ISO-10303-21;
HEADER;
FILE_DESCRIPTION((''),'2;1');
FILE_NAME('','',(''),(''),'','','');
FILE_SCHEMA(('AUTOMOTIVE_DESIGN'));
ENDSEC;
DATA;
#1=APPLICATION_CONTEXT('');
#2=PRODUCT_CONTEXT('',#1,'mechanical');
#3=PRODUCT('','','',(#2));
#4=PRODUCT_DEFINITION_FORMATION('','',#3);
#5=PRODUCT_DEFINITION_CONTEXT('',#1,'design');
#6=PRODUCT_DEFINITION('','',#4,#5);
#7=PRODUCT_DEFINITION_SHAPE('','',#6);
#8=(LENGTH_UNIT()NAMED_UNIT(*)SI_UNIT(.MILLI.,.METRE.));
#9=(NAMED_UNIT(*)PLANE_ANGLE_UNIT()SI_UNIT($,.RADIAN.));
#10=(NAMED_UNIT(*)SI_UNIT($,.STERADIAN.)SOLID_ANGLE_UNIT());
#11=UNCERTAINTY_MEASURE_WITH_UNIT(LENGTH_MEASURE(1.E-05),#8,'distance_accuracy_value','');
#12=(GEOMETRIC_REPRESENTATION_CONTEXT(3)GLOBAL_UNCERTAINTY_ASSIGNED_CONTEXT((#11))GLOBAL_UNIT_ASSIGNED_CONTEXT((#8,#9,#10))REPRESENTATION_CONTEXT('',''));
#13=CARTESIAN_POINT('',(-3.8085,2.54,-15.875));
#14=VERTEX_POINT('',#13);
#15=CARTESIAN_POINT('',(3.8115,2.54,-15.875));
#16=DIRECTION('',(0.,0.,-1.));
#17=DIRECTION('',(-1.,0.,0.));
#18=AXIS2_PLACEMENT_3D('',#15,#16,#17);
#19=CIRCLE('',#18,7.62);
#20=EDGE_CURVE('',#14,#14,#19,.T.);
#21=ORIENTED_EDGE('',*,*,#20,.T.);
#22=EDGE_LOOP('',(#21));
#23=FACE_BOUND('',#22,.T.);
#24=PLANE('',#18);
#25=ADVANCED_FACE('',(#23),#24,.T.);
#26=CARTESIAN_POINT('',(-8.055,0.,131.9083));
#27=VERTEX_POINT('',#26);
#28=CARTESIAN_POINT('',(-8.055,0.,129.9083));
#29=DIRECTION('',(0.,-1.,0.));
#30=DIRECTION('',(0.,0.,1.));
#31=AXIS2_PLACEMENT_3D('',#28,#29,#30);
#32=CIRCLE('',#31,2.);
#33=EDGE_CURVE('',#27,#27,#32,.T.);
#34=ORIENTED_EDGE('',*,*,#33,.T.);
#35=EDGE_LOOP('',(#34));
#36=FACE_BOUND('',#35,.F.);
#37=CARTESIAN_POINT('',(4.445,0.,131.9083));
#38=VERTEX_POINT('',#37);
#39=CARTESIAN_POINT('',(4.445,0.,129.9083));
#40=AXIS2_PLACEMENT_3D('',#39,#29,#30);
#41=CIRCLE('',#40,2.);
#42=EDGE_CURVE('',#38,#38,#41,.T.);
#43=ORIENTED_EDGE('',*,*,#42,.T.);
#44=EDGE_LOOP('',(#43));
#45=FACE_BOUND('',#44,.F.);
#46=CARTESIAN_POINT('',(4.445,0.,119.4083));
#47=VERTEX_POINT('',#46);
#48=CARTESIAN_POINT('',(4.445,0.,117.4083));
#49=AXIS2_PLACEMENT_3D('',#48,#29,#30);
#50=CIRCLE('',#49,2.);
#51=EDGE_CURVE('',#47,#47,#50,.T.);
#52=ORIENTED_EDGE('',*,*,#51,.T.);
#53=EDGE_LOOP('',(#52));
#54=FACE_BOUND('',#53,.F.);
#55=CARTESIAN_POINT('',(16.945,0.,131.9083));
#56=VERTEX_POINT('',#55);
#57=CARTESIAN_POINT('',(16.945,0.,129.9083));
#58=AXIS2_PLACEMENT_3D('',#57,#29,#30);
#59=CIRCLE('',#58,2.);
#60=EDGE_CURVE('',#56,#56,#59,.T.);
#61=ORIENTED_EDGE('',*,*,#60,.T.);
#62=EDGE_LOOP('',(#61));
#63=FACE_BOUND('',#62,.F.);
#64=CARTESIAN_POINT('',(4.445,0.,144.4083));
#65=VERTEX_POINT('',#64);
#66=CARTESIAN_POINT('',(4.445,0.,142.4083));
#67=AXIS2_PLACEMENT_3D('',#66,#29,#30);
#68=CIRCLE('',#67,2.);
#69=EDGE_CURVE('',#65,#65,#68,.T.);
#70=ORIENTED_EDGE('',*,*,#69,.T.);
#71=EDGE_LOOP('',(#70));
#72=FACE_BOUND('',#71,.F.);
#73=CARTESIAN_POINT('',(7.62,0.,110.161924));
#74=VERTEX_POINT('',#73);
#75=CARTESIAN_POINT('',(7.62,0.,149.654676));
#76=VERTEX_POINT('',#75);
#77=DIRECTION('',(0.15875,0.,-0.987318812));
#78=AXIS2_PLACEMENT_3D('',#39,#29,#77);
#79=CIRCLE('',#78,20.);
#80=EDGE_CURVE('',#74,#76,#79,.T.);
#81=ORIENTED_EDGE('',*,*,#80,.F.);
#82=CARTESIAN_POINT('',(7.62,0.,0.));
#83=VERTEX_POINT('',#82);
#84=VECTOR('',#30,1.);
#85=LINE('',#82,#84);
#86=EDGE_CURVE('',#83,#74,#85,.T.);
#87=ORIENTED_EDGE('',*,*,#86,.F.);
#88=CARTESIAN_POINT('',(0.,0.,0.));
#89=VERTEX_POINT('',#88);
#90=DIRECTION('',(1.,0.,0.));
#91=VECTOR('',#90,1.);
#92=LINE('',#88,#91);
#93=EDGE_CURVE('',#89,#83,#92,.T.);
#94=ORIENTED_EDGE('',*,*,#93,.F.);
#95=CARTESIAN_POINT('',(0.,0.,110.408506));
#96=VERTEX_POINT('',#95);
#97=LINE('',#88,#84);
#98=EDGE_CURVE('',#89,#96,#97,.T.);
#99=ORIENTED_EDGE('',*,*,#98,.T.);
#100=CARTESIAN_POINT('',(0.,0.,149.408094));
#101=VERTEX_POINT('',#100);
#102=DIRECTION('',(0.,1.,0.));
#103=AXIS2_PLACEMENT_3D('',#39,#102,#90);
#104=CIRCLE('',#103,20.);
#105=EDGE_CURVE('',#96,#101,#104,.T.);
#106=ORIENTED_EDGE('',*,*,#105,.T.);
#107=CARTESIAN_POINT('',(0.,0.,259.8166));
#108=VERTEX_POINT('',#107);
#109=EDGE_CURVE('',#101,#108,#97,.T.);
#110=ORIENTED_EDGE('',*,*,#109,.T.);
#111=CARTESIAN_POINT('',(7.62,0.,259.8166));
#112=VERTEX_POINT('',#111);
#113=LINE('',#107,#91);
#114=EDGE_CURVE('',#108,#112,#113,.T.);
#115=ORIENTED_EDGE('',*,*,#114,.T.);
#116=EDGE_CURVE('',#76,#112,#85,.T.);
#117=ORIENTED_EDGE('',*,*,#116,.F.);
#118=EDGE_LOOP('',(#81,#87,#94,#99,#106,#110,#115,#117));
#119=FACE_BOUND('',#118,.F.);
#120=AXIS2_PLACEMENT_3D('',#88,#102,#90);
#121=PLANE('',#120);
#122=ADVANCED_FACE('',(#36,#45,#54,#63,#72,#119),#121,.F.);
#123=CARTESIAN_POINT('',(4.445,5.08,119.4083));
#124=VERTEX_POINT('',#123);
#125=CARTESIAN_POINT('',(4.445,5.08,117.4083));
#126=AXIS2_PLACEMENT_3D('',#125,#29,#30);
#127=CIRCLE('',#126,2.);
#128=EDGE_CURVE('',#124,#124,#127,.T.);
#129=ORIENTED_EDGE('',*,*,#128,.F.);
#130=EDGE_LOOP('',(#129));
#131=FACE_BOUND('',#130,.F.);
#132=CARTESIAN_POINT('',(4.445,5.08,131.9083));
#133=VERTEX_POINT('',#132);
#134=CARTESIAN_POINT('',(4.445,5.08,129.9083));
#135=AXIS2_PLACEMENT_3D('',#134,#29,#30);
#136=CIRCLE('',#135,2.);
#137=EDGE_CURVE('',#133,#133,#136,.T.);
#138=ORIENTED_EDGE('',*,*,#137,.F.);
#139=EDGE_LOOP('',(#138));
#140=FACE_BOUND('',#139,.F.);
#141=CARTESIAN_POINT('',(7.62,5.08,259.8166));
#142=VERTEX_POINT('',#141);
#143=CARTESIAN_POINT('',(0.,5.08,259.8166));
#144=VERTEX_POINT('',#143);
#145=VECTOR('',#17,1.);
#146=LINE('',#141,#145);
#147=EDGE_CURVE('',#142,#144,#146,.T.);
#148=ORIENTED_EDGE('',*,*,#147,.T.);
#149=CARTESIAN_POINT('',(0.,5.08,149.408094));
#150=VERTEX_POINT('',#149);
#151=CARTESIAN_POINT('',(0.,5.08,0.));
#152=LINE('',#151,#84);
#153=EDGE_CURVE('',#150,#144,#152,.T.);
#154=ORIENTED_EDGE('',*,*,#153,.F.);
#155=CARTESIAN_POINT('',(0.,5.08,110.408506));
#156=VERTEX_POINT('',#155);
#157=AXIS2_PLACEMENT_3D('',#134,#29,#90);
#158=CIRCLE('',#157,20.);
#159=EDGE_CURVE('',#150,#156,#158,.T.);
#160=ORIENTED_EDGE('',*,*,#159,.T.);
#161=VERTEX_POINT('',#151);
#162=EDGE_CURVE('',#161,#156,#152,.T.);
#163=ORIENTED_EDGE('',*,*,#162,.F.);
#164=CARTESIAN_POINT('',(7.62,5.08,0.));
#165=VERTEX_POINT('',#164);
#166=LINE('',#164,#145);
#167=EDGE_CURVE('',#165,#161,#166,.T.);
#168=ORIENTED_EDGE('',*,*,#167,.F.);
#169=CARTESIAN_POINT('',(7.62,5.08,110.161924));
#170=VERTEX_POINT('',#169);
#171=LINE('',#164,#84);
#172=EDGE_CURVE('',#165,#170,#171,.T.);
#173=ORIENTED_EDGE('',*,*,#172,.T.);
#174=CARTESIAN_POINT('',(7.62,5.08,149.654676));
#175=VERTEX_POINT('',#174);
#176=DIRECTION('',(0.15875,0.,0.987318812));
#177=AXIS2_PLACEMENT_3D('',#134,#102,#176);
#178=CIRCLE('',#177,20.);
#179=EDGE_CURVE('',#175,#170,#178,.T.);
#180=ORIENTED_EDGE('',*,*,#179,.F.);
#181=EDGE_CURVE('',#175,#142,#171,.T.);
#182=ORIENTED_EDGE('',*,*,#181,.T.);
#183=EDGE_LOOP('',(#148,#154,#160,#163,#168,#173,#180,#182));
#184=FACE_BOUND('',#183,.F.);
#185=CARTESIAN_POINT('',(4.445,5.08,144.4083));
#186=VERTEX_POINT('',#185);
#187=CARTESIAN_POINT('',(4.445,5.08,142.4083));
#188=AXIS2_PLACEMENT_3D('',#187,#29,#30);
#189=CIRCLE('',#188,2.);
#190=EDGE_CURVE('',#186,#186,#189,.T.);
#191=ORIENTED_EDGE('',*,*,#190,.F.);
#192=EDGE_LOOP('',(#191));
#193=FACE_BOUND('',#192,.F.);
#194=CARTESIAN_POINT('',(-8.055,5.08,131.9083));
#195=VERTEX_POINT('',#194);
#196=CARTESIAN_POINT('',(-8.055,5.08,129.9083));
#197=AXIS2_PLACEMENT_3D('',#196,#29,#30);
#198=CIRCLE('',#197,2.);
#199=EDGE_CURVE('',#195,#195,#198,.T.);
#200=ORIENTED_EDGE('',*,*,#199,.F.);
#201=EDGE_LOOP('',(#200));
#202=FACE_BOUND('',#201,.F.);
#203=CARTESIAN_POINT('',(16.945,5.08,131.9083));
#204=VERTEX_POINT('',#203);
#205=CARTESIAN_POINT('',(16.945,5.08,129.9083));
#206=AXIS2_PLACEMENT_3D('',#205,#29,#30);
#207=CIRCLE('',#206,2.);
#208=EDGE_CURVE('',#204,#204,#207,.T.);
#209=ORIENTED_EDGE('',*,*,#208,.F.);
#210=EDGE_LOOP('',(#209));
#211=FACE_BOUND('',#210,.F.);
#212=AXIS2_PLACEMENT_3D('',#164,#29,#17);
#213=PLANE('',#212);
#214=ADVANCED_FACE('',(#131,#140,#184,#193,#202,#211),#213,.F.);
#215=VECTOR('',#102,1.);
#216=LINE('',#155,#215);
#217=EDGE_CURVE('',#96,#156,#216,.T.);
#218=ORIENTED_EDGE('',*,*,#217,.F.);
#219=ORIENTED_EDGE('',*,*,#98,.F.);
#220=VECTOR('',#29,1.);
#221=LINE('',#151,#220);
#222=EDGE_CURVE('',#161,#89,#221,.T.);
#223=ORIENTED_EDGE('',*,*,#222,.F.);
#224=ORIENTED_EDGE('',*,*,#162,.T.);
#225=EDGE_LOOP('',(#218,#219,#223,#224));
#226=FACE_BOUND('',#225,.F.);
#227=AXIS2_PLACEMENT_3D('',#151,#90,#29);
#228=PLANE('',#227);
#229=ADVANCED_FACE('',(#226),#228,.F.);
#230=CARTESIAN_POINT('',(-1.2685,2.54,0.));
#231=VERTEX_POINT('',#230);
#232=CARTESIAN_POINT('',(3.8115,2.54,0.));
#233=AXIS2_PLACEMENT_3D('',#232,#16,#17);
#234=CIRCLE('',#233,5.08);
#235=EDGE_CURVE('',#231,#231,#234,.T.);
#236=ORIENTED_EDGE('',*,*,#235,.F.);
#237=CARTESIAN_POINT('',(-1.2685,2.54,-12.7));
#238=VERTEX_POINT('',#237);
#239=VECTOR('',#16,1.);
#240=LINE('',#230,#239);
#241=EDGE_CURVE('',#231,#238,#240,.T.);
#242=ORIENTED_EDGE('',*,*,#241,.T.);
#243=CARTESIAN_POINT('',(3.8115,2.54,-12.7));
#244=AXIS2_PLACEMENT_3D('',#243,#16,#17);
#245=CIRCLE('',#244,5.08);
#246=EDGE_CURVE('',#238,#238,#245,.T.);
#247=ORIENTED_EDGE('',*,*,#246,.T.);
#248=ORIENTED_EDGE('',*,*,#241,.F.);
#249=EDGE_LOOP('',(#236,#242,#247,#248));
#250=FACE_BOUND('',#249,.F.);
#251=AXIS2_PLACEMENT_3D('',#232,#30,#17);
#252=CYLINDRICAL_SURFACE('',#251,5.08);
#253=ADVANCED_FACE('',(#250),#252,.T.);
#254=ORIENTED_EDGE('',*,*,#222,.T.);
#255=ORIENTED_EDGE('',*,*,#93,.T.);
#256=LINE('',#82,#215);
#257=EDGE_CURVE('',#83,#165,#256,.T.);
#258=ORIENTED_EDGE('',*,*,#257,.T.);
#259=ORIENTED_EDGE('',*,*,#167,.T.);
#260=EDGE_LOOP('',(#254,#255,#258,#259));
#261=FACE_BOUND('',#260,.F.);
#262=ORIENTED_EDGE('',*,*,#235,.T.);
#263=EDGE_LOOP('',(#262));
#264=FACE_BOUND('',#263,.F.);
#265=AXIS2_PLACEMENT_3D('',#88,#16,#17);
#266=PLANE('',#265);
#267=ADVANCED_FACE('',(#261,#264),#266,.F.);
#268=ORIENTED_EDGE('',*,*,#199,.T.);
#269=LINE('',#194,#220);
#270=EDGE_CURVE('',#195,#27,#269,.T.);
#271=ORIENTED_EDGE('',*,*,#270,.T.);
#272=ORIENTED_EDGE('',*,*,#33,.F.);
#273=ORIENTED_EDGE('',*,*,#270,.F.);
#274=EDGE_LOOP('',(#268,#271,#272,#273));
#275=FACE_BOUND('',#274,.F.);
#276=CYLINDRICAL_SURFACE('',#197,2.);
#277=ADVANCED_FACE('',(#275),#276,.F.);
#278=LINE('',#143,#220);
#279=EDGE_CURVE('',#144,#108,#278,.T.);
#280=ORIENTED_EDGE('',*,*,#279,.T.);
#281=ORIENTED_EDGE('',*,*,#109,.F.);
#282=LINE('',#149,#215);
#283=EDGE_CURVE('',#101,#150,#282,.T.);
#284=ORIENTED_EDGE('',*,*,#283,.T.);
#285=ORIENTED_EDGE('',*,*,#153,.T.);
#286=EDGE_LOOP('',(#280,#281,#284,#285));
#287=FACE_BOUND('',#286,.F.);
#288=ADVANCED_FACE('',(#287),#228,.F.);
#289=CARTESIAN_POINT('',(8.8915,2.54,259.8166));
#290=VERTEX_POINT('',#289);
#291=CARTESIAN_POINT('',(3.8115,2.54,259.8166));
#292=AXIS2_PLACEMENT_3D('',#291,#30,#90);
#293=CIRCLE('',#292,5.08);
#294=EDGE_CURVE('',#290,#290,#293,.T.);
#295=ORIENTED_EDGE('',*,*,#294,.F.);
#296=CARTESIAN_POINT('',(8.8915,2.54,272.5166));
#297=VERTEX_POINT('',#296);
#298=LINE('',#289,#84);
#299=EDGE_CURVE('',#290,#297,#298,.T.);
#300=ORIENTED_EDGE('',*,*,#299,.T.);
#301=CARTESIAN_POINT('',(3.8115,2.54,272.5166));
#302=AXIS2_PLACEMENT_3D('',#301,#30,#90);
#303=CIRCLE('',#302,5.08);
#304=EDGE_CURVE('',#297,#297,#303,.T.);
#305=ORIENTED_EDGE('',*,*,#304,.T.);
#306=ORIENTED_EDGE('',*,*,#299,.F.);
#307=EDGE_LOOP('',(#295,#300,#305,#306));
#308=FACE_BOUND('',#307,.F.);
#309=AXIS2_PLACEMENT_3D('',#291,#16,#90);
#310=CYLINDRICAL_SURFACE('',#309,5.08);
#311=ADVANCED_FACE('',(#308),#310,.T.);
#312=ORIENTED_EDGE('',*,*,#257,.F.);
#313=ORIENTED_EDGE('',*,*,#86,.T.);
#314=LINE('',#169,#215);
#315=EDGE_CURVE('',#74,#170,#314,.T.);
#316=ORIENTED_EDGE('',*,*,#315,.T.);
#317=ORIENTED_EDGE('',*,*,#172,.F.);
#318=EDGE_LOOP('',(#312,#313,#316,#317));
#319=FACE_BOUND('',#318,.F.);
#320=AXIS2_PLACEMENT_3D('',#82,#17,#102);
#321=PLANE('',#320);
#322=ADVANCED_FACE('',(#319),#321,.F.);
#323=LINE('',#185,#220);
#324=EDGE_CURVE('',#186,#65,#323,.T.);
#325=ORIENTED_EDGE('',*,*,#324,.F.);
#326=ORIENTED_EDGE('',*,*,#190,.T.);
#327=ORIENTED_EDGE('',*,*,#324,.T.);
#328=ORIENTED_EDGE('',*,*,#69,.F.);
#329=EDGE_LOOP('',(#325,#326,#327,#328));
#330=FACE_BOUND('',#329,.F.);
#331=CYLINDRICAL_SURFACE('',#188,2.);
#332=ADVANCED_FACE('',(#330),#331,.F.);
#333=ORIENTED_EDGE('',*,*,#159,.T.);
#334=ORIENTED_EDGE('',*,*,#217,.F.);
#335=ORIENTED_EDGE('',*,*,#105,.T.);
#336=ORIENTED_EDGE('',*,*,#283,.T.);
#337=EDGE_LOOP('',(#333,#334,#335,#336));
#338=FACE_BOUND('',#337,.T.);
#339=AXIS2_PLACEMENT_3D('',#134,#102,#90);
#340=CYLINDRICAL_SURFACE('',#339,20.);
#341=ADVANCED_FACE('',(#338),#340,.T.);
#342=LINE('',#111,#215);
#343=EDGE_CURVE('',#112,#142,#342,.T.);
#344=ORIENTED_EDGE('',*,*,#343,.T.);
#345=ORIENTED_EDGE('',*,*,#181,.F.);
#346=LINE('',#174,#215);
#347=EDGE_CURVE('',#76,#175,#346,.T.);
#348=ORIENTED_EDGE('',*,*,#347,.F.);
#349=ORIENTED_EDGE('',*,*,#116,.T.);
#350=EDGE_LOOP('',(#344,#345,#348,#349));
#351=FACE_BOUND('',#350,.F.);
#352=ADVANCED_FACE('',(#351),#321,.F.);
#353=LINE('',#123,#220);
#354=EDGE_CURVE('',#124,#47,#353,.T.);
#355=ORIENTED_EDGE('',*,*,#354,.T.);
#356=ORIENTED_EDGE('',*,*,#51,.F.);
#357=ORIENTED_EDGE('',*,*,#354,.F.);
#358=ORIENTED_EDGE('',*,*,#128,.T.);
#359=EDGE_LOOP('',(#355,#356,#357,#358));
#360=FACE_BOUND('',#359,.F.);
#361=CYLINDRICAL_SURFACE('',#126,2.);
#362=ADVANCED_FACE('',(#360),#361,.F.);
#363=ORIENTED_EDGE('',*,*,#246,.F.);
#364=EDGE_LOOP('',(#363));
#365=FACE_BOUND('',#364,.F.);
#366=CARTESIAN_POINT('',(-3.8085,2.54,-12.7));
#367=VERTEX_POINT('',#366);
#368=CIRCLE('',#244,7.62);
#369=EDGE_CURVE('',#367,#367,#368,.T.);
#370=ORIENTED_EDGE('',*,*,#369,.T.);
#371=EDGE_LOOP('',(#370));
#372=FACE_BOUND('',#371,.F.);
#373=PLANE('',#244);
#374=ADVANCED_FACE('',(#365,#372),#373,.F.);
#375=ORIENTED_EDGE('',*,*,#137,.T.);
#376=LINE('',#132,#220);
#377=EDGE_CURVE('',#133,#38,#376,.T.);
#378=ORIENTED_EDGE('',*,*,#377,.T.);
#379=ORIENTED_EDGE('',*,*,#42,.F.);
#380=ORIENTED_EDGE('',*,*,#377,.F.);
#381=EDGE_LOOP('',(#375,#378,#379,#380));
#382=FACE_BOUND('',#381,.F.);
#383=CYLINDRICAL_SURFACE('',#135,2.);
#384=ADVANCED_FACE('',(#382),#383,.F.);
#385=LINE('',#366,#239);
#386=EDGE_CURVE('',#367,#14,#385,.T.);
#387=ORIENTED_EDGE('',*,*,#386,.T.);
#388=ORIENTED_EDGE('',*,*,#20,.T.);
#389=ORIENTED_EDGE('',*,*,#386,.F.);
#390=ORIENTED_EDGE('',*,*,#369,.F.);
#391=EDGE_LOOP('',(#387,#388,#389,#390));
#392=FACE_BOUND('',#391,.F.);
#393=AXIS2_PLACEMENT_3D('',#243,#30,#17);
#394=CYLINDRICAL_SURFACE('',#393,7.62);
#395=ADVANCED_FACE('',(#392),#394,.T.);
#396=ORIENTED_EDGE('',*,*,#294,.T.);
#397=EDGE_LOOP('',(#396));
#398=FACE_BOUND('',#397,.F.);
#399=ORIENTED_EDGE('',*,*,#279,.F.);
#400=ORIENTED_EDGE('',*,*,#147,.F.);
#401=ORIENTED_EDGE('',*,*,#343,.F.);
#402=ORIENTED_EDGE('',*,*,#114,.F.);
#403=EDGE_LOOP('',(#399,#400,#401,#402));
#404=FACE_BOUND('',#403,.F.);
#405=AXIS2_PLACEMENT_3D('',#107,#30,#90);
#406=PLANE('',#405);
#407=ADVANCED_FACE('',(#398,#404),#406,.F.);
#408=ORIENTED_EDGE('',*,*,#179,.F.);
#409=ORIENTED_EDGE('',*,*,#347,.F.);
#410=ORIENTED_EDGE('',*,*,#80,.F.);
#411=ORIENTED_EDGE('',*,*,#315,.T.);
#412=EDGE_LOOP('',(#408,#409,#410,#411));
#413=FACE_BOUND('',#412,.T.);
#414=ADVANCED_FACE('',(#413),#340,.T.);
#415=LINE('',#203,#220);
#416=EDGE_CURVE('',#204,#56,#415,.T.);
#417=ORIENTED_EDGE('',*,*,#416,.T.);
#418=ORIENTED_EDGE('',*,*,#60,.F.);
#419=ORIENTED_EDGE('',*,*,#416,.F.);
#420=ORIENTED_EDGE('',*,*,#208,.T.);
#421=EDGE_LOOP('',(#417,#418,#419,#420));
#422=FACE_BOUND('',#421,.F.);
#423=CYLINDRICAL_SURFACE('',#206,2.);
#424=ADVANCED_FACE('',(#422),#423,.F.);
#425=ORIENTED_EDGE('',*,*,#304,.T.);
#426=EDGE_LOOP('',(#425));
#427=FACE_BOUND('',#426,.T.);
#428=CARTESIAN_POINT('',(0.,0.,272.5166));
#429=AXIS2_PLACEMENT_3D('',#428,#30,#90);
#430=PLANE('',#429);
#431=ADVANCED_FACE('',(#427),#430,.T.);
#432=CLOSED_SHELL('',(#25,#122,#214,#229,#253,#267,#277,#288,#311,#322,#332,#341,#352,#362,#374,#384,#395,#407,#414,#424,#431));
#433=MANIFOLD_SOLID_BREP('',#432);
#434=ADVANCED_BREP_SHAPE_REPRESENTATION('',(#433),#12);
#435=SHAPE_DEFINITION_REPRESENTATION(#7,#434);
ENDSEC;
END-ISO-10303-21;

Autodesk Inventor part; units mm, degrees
ref_plane "YZ Plane" through (0, 0, 0) normal (1, 0, 0) x (0, 1, 0)
ref_plane "XZ Plane" through (0, 0, 0) normal (0, 1, 0) x (-1, 0, 0)
ref_plane "XY Plane" through (0, 0, 0) normal (0, 0, 1) x (1, 0, 0)
sketch "Sketch1" plane through (0, 0, 0) normal (0, 0, 1) x (1, 0, 0)
  line L0 (0, 0) -> (7.62, 0)
  line L1 (7.62, 0) -> (7.62, 5.08)
  line L2 (7.62, 5.08) -> (0, 5.08)
  line L3 (0, 5.08) -> (0, 0)
  dimension "d0" = 7.62
  dimension "d1" = 5.08
extrude "Extrusion1" add sketch "Sketch1" along normal blind 259.8166
sketch "Sketch2" plane through (0, 0, 259.8166) normal (0, 0, 1) x (1, 0, 0)
  circle A0 centre (3.8115, 2.54) radius 5.08
  line L0 (7.62, 5.08) -> (0, 5.08) projected
  line L1 (7.62, 0) -> (7.62, 5.08) projected
  point P0 (0, 0)
  dimension "d4" = 10.16
  dimension "d5" = 2.54
  dimension "d6" = 3.8085
extrude "Extrusion2" add sketch "Sketch2" along normal blind 12.7
sketch "Sketch3" plane through (0, 0, 0) normal (0, 0, -1) x (-1, 0, 0)
  circle A0 centre (-3.8115, 2.54) radius 5.08
  circle A1 centre (-3.8115, 2.54) radius 5.08 projected
  point P0 (0, 0)
  dimension "d9" = 10.16
extrude "Extrusion3" add sketch "Sketch3" along normal blind 12.7
sketch "Sketch4" plane through (3.8115, 2.54, -12.7) normal (0, 0, -1) x (-1, 0, 0)
  circle A0 centre (0, 0) radius 7.62
  point P0 (3.8115, -2.54)
  dimension "d12" = 15.24
extrude "Extrusion4" add sketch "Sketch4" along normal blind 3.175
sketch "Sketch5" plane through (0, 5.08, 259.8166) normal (0, 1, 0) x (1, 0, 0)
  line L0 (7.62, 259.8166) -> (7.62, 0) projected
  line L1 (-1.2685, 259.8166) -> (8.8915, 259.8166) projected
  circle A0 centre (4.445, 129.9083) radius 20
  point P0 (0, 259.8166)
  dimension "d15" = 3.175
  dimension "d16" = 259.8166
  dimension "d17" = 129.9083
  dimension "d18" = 40
extrude "Extrusion5" add sketch "Sketch5" against normal up to surface (5.08 mm away)
sketch "Sketch6" plane through (0, 5.08, 259.8166) normal (0, 1, 0) x (1, 0, 0)
  circle A0 centre (4.445, 129.9083) radius 20
  arc A1 (0, 149.4081) -> (0, 110.4085) centre (4.445, 129.9083) ccw projected
  circle A2 centre (4.445, 129.9083) radius 12.5
  point P0 (0, 259.8166)
  point P1 (-8.055, 129.9083)
  point P2 (4.445, 142.4083)
  point P3 (16.945, 129.9083)
  point P4 (4.445, 117.4083)
  dimension "d21" = 40
  dimension "d22" = 0
  dimension "d23" = 0
  dimension "d24" = 25
hole "Hole1" at (4.445, 5.08, 129.9083) at (-8.055, 5.08, 129.9083) at (4.445, 5.08, 117.4083) at (16.945, 5.08, 129.9083) at (4.445, 5.08, 142.4083) direction (0, -1, 0) diameter 4 end through all
properties part number "MotorMount_Part"
